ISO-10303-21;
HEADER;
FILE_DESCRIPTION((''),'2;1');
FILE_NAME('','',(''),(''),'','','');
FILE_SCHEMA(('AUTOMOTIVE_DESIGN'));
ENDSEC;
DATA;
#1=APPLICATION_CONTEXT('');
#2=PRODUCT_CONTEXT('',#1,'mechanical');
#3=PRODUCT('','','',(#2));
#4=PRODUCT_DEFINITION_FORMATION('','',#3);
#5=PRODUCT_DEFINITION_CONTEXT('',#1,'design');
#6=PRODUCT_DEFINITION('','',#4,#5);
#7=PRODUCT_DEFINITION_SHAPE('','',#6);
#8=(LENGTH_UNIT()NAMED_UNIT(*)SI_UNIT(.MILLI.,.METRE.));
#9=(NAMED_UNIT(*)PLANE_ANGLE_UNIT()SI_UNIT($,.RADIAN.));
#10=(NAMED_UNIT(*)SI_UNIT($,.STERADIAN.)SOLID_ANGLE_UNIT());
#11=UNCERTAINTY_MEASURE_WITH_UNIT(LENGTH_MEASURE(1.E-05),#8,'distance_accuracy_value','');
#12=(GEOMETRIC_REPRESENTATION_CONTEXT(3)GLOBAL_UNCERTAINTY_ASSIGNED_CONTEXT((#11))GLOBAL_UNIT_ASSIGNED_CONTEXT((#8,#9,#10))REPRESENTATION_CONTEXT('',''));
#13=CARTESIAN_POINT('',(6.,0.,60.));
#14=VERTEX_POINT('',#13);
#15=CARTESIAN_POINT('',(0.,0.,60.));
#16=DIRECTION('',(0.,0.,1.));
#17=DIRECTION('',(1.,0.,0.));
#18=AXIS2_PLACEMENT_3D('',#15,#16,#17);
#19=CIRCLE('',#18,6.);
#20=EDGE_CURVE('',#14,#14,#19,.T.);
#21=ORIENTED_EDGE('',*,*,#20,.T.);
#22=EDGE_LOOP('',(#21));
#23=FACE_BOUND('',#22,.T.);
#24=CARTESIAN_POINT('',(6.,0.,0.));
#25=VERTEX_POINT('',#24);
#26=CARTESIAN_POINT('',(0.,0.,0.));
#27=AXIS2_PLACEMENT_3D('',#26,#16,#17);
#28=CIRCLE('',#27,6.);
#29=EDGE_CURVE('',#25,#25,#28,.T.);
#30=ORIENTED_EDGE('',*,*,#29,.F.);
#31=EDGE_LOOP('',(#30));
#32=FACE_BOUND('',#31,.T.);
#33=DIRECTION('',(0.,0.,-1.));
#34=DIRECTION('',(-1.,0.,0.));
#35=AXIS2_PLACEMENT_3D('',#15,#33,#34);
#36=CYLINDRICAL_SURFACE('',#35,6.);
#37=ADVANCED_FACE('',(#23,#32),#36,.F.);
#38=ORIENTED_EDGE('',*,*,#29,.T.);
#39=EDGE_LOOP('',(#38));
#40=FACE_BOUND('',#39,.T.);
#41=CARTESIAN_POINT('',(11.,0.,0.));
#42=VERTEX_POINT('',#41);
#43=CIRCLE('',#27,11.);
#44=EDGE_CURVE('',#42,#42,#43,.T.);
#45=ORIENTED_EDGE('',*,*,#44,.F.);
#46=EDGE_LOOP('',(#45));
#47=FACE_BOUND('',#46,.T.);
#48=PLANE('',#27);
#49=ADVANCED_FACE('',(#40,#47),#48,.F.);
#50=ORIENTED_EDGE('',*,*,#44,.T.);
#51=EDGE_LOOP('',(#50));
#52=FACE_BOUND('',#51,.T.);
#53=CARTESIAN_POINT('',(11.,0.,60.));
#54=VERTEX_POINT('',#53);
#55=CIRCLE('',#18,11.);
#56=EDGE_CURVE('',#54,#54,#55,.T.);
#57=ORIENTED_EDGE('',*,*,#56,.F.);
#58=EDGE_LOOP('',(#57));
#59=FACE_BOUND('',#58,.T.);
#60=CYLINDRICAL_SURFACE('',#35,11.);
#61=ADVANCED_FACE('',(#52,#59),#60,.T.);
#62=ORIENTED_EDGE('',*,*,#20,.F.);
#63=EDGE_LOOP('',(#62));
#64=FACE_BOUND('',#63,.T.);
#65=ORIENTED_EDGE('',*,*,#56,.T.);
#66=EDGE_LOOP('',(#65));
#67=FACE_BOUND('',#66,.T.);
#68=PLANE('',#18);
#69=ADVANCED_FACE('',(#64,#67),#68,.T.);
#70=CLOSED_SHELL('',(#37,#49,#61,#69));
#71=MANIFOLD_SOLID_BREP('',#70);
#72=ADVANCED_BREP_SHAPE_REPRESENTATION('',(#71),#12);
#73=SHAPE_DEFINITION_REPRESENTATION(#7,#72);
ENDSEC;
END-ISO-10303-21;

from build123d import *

# Parameters (mm, degrees)
SPOUT_SKETCH_R   = 11
SPOUT_SKETCH_R_2 = 6
SPOUT_DEPTH      = 60


with BuildPart() as part:
    # Spout Sketch → Spout (new body)
    with BuildSketch(Plane.XY):
        Circle(SPOUT_SKETCH_R)
        Circle(SPOUT_SKETCH_R_2, mode=Mode.SUBTRACT)
    extrude(amount=SPOUT_DEPTH)


solid = part.part
